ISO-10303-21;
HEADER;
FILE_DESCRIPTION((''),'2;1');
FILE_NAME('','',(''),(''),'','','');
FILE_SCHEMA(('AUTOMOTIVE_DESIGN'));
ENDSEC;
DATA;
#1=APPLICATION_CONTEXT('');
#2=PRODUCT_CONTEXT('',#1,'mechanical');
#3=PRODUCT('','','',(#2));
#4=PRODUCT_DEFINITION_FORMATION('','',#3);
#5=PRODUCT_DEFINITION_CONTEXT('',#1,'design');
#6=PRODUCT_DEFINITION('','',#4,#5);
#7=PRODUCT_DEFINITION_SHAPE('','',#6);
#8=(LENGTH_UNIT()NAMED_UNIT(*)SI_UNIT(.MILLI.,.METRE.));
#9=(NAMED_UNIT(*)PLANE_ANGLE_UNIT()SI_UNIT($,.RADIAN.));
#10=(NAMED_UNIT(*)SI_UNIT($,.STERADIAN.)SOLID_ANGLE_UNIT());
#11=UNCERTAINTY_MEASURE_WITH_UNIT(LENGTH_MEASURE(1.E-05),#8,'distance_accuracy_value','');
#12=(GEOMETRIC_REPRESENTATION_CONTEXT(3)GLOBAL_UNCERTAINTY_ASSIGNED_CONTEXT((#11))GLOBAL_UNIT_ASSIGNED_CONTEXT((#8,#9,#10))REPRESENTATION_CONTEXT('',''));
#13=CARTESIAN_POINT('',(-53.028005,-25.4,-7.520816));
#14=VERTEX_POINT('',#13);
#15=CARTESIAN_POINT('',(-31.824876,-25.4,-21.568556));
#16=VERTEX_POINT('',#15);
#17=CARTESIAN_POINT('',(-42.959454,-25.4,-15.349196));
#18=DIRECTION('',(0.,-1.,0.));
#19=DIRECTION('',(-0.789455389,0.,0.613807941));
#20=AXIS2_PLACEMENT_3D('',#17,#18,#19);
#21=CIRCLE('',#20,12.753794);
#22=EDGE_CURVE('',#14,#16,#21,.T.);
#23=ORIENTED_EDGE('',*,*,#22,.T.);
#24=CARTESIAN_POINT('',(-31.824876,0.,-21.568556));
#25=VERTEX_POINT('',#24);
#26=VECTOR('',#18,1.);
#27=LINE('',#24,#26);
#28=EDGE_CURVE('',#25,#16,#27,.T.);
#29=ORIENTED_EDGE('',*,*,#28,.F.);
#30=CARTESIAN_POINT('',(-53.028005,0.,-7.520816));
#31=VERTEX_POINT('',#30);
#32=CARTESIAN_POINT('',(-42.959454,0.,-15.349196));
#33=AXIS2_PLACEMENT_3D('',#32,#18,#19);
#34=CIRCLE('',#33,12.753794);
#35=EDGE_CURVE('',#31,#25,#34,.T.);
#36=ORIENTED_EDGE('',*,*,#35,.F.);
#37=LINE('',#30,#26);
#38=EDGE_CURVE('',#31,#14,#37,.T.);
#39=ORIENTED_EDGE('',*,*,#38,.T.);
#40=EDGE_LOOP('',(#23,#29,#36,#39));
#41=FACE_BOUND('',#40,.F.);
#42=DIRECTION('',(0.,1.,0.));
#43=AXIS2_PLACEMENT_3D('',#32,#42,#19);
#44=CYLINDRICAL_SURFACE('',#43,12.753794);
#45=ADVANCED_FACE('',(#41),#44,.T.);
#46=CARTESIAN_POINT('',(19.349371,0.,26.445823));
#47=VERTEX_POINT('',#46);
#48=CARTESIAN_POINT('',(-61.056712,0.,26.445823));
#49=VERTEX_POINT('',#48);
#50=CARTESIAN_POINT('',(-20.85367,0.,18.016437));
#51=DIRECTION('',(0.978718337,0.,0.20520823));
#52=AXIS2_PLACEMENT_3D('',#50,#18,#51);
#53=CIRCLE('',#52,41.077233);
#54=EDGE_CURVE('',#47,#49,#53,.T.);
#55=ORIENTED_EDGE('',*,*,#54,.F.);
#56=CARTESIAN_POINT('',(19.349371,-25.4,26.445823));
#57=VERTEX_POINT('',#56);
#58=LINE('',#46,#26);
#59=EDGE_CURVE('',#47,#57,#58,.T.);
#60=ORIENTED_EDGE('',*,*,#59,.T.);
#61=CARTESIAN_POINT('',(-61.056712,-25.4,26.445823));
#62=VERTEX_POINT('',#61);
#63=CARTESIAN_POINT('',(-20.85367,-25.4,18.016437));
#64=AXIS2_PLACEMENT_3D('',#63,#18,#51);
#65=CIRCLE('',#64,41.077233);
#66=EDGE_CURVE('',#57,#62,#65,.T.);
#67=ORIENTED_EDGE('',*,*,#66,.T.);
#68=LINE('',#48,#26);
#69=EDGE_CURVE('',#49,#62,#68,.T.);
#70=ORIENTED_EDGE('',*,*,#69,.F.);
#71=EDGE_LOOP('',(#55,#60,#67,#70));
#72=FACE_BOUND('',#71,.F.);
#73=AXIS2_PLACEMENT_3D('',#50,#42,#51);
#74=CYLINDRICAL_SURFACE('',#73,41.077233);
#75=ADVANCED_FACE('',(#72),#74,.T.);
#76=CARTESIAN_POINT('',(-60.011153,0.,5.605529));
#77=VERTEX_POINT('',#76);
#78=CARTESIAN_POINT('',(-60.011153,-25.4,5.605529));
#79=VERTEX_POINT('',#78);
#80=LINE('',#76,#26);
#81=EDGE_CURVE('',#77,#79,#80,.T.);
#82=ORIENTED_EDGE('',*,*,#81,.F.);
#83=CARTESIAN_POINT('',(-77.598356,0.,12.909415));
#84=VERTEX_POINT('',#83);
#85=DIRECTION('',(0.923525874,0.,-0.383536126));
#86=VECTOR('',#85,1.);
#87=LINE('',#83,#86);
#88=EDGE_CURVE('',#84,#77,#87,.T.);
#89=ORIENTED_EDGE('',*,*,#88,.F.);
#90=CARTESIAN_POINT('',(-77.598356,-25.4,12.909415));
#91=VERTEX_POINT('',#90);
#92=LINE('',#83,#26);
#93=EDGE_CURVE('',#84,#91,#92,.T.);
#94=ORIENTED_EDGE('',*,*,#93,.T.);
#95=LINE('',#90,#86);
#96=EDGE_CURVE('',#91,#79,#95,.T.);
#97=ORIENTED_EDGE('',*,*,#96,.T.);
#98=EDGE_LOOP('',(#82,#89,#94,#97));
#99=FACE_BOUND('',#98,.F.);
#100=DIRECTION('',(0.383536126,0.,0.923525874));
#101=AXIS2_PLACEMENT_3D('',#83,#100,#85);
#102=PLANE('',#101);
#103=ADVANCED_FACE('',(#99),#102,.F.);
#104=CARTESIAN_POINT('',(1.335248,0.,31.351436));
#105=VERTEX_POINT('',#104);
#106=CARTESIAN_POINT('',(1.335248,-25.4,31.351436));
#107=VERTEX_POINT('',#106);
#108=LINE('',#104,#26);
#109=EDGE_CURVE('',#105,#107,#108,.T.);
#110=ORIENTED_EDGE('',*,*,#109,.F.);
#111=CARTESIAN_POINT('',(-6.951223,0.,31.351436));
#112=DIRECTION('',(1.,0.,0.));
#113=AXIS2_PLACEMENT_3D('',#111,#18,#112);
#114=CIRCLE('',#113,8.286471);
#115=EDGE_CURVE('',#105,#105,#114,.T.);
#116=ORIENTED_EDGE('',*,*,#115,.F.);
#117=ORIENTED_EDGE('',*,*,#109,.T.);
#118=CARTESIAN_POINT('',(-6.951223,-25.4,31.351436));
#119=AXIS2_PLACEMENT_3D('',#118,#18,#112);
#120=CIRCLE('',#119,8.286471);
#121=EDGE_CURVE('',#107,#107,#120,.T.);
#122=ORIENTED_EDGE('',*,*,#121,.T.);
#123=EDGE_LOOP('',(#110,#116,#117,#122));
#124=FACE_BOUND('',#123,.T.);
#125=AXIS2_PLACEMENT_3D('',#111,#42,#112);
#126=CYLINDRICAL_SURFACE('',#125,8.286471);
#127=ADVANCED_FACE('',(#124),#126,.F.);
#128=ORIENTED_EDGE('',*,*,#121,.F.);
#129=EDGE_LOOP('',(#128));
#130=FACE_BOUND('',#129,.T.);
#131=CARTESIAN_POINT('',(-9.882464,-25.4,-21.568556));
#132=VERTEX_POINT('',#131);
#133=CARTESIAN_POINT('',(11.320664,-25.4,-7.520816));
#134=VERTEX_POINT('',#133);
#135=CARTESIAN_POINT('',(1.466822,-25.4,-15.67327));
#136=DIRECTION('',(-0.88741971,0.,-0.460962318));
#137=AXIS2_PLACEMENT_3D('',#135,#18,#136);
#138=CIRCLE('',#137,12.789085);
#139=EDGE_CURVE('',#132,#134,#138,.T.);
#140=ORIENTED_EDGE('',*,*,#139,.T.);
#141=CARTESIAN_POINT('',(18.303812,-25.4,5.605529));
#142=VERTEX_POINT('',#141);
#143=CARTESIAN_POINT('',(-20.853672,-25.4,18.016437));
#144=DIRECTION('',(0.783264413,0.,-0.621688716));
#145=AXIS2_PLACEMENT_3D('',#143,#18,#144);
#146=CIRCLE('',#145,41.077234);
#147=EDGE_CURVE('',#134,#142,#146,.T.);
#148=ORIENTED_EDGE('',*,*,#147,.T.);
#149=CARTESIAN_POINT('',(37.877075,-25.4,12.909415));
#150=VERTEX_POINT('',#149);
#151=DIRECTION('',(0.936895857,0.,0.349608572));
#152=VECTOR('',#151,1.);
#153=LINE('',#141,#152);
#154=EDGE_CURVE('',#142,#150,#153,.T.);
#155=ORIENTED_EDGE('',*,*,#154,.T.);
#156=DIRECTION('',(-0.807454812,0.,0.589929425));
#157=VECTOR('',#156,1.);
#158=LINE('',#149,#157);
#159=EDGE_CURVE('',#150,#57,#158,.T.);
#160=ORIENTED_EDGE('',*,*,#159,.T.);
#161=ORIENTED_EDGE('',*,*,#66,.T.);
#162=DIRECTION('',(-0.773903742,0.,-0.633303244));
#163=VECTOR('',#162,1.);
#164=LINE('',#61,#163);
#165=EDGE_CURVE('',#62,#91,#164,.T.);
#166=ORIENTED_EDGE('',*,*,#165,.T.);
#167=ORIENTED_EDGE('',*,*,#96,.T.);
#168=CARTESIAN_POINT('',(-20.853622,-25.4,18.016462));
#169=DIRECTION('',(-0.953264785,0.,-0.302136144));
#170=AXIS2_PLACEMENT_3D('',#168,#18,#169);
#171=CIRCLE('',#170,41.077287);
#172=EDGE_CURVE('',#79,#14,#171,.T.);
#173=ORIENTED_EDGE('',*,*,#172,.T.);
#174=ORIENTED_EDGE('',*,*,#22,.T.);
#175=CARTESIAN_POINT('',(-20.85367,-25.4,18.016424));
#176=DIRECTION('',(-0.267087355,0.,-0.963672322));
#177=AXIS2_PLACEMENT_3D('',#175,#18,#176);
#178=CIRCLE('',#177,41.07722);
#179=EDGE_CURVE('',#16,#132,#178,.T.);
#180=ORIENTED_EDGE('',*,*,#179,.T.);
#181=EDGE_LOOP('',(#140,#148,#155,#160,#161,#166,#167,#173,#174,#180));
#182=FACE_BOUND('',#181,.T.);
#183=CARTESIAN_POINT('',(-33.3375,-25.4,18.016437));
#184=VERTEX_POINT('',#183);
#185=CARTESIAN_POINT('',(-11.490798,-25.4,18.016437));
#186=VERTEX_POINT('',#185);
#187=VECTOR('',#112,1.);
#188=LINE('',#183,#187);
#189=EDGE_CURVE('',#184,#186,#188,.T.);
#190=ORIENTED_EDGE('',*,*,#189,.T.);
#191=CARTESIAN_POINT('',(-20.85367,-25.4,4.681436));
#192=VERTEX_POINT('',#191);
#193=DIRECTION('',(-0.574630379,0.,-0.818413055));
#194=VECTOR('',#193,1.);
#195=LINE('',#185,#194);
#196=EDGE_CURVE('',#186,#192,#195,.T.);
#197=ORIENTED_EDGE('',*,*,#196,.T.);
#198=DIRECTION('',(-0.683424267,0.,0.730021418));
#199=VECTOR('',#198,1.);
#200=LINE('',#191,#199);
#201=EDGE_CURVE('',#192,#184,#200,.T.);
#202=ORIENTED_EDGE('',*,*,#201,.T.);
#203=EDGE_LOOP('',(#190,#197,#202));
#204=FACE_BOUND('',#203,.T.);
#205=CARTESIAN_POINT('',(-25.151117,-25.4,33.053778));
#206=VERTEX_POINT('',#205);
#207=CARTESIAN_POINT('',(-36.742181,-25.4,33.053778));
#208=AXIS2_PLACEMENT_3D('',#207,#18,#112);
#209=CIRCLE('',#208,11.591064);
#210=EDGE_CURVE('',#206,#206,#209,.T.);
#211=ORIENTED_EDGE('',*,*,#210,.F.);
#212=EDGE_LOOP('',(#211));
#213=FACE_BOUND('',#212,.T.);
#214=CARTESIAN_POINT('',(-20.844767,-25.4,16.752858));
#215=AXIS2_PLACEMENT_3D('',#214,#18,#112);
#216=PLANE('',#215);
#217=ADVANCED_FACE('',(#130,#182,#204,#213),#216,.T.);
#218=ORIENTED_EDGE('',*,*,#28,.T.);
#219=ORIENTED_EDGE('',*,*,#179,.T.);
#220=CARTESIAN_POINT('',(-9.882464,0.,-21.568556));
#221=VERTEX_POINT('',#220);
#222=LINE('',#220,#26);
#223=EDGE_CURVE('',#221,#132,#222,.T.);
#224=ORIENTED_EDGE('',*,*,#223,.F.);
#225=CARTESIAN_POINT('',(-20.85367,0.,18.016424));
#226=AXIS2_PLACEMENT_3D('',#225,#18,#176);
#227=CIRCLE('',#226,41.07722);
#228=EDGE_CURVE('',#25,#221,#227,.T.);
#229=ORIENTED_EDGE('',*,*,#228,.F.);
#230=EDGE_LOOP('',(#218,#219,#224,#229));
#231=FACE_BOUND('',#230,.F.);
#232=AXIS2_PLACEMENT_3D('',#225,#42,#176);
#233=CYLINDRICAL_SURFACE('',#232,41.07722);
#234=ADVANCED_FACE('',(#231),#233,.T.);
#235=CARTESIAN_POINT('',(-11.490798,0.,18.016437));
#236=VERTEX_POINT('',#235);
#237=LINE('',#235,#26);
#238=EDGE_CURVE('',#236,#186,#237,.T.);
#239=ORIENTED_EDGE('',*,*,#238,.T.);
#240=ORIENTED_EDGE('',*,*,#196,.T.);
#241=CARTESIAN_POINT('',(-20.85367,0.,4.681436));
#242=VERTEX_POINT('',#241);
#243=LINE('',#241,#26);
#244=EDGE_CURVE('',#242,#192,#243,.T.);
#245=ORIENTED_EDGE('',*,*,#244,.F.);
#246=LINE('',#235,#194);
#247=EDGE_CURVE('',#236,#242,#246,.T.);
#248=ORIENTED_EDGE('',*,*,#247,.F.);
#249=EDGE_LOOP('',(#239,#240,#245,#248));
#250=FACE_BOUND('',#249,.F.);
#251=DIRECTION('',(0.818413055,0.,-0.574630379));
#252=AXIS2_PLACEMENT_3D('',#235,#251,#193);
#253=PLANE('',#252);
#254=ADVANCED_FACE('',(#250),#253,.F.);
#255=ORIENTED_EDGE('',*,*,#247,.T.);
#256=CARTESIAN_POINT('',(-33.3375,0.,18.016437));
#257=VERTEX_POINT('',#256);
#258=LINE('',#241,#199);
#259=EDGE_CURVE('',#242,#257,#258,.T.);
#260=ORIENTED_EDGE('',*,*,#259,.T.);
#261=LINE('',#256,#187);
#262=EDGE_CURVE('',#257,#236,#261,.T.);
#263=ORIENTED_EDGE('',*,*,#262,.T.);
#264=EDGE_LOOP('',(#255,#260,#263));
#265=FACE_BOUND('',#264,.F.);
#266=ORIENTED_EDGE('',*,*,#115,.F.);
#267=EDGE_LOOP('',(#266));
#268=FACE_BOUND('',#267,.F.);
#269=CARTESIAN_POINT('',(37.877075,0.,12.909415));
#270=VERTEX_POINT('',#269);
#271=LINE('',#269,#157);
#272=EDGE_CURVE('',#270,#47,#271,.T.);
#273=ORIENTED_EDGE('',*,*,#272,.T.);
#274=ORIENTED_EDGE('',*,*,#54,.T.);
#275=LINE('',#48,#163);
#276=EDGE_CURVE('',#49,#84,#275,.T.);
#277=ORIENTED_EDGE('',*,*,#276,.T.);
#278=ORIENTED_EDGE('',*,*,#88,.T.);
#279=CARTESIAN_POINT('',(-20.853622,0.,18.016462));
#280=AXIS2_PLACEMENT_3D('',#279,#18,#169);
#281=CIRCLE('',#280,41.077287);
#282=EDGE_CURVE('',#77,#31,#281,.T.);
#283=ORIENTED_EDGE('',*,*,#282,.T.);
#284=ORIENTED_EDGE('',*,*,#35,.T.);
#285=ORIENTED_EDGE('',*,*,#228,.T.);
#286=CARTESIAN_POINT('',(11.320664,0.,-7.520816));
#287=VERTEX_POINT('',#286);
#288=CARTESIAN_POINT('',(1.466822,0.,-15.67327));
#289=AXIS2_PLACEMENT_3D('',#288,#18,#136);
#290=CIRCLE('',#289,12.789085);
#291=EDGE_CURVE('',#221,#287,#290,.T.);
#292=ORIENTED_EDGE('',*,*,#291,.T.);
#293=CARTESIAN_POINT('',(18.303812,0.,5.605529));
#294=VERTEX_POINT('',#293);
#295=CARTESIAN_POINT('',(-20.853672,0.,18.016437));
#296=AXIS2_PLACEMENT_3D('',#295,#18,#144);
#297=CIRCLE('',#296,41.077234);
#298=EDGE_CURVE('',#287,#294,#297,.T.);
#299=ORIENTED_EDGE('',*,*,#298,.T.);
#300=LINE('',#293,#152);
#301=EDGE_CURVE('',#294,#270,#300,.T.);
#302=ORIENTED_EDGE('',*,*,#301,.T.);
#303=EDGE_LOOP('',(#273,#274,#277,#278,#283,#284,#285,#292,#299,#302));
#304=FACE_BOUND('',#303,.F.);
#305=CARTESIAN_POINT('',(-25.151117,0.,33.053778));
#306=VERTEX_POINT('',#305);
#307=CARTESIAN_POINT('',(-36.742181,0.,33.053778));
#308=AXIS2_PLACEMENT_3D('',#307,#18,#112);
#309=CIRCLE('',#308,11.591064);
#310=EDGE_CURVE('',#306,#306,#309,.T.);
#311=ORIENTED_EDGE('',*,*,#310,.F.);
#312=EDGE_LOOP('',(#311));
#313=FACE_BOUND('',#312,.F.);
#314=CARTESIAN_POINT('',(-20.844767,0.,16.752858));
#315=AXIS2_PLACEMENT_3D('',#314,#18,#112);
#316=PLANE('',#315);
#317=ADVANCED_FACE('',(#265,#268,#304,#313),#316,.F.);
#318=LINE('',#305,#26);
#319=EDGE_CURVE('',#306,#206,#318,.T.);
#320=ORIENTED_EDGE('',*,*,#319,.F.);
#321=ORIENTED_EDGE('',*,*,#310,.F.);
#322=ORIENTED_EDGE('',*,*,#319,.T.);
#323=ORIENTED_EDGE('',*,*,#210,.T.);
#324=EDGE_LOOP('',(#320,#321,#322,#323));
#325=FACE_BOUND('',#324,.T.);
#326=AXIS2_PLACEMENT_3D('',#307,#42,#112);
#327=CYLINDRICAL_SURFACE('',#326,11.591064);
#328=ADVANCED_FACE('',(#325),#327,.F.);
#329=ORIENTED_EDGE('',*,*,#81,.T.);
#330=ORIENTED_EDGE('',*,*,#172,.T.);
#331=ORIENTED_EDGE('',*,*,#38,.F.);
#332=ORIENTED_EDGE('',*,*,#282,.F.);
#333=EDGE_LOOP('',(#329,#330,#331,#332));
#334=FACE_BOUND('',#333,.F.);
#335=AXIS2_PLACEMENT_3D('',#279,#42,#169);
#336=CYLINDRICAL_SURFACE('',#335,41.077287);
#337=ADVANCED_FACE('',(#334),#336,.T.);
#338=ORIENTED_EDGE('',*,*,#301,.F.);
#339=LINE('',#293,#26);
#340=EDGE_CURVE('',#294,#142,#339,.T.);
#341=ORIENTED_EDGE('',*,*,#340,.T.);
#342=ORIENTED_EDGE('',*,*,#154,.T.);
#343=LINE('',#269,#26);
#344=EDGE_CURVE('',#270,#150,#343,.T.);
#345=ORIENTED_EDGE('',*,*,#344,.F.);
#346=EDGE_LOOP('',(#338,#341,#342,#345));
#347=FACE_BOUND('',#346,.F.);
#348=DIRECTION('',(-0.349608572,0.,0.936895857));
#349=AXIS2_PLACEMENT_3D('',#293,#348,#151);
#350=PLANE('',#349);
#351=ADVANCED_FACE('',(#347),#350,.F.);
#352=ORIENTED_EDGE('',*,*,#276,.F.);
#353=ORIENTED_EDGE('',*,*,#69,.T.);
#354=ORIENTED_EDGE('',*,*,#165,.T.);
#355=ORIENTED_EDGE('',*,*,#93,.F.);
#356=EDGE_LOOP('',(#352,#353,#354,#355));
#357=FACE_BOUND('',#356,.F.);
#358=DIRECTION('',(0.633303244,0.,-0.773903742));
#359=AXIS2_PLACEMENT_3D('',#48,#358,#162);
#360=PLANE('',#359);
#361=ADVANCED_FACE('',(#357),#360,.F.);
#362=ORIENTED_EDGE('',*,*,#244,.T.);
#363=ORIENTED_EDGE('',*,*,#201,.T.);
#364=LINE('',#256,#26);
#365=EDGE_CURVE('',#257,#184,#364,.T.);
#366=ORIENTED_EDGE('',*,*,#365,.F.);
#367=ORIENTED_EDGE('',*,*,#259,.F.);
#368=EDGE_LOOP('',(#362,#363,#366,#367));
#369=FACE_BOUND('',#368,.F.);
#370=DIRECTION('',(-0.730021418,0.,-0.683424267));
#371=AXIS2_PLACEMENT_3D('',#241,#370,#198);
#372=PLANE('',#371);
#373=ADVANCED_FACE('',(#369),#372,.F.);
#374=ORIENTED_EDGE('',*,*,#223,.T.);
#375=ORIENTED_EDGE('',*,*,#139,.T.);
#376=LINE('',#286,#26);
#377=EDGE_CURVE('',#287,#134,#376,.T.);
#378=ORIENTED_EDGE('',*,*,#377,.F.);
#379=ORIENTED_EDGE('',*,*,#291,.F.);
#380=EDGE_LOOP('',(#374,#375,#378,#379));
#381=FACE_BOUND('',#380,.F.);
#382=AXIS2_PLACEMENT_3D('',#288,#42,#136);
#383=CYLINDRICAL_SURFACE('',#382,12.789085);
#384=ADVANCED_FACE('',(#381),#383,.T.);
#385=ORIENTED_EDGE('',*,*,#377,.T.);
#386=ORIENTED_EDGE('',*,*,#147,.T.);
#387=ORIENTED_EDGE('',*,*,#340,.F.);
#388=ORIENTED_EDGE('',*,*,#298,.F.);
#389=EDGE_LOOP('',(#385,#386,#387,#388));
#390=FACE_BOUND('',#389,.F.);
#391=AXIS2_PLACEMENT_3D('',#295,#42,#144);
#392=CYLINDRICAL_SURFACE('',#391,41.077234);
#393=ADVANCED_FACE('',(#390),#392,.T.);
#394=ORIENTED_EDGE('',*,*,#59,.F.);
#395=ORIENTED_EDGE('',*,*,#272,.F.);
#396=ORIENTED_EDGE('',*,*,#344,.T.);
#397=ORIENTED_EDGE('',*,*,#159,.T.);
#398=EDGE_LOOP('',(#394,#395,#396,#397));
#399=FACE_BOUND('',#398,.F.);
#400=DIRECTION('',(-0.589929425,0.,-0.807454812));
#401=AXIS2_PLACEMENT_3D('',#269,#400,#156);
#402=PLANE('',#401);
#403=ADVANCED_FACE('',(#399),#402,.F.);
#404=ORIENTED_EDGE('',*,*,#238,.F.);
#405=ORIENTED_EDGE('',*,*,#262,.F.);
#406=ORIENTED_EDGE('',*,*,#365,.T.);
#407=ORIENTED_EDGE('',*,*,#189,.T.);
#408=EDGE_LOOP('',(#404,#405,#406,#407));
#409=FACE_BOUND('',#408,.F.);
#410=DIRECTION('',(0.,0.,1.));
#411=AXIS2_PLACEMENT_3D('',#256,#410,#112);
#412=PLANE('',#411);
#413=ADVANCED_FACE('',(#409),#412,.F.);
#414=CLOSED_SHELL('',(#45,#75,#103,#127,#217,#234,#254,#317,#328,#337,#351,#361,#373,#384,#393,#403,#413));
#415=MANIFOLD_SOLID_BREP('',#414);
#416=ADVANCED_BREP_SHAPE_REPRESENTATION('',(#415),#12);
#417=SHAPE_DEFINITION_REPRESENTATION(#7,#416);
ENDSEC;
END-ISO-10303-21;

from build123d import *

# Parameters (mm, degrees)
F0_R     = 11.591064
F0_R_2   = 8.286471
F1_DEPTH = 25.4


with BuildPart() as f1:
    # F0 (on Front) → F1 (new body)
    with BuildSketch(Plane.XZ):
        with BuildLine():
            ThreePointArc((18.303812, 5.605529), (19.740788, 11.737184), (20.223563, 18.016437))
            ThreePointArc((20.223563, 18.016437), (20.00443, 22.253734), (19.349371, 26.445823))
            ThreePointArc((19.349371, 26.445823), (-20.85367, 59.09367), (-61.056712, 26.445823))
            ThreePointArc((-61.056712, 26.445823), (-61.879304, 15.958178), (-60.011153, 5.605529))
            ThreePointArc((-60.011153, 5.605529), (-57.118422, -1.276225), (-53.028005, -7.520816))
            ThreePointArc((-53.028005, -7.520816), (-43.541093, -16.227101), (-31.824876, -21.568556))
            ThreePointArc((-31.824876, -21.568556), (-20.85367, -23.060796), (-9.882464, -21.568556))
            ThreePointArc((-9.882464, -21.568556), (1.833753, -16.227101), (11.320664, -7.520816))
            ThreePointArc((11.320664, -7.520816), (15.411082, -1.276225), (18.303812, 5.605529))
        make_face()
        Polygon((-33.3375, 18.016437), (-20.85367, 18.016437), (-11.490798, 18.016437), (-20.85367, 4.681436), align=None, mode=Mode.SUBTRACT)
        with Locations((-36.742181, 33.053778)):
            Circle(F0_R, mode=Mode.SUBTRACT)
        with Locations((-6.951223, 31.351436)):
            Circle(F0_R_2, mode=Mode.SUBTRACT)
        with BuildLine():
            ThreePointArc((19.349371, 26.445823), (20.00443, 22.253734), (20.223563, 18.016437))
            ThreePointArc((20.223563, 18.016437), (19.740788, 11.737184), (18.303812, 5.605529))
            Line((18.303812, 5.605529), (37.877075, 12.909415))
            Line((37.877075, 12.909415), (19.349371, 26.445823))
        make_face()
        with BuildLine():
            ThreePointArc((-60.011153, 5.605529), (-61.879304, 15.958178), (-61.056712, 26.445823))
            Line((-61.056712, 26.445823), (-77.598356, 12.909415))
            Line((-77.598356, 12.909415), (-60.011153, 5.605529))
        make_face()
        with BuildLine():
            ThreePointArc((-9.882464, -21.568556), (8.530379, -26.334736), (11.320664, -7.520816))
            ThreePointArc((11.320664, -7.520816), (1.833753, -16.227101), (-9.882464, -21.568556))
        make_face()
        with BuildLine():
            ThreePointArc((-31.824876, -21.568556), (-43.541093, -16.227101), (-53.028005, -7.520816))
            ThreePointArc((-53.028005, -7.520816), (-50.003519, -25.981242), (-31.824876, -21.568556))
        make_face()
    extrude(amount=F1_DEPTH)


solid = f1.part
